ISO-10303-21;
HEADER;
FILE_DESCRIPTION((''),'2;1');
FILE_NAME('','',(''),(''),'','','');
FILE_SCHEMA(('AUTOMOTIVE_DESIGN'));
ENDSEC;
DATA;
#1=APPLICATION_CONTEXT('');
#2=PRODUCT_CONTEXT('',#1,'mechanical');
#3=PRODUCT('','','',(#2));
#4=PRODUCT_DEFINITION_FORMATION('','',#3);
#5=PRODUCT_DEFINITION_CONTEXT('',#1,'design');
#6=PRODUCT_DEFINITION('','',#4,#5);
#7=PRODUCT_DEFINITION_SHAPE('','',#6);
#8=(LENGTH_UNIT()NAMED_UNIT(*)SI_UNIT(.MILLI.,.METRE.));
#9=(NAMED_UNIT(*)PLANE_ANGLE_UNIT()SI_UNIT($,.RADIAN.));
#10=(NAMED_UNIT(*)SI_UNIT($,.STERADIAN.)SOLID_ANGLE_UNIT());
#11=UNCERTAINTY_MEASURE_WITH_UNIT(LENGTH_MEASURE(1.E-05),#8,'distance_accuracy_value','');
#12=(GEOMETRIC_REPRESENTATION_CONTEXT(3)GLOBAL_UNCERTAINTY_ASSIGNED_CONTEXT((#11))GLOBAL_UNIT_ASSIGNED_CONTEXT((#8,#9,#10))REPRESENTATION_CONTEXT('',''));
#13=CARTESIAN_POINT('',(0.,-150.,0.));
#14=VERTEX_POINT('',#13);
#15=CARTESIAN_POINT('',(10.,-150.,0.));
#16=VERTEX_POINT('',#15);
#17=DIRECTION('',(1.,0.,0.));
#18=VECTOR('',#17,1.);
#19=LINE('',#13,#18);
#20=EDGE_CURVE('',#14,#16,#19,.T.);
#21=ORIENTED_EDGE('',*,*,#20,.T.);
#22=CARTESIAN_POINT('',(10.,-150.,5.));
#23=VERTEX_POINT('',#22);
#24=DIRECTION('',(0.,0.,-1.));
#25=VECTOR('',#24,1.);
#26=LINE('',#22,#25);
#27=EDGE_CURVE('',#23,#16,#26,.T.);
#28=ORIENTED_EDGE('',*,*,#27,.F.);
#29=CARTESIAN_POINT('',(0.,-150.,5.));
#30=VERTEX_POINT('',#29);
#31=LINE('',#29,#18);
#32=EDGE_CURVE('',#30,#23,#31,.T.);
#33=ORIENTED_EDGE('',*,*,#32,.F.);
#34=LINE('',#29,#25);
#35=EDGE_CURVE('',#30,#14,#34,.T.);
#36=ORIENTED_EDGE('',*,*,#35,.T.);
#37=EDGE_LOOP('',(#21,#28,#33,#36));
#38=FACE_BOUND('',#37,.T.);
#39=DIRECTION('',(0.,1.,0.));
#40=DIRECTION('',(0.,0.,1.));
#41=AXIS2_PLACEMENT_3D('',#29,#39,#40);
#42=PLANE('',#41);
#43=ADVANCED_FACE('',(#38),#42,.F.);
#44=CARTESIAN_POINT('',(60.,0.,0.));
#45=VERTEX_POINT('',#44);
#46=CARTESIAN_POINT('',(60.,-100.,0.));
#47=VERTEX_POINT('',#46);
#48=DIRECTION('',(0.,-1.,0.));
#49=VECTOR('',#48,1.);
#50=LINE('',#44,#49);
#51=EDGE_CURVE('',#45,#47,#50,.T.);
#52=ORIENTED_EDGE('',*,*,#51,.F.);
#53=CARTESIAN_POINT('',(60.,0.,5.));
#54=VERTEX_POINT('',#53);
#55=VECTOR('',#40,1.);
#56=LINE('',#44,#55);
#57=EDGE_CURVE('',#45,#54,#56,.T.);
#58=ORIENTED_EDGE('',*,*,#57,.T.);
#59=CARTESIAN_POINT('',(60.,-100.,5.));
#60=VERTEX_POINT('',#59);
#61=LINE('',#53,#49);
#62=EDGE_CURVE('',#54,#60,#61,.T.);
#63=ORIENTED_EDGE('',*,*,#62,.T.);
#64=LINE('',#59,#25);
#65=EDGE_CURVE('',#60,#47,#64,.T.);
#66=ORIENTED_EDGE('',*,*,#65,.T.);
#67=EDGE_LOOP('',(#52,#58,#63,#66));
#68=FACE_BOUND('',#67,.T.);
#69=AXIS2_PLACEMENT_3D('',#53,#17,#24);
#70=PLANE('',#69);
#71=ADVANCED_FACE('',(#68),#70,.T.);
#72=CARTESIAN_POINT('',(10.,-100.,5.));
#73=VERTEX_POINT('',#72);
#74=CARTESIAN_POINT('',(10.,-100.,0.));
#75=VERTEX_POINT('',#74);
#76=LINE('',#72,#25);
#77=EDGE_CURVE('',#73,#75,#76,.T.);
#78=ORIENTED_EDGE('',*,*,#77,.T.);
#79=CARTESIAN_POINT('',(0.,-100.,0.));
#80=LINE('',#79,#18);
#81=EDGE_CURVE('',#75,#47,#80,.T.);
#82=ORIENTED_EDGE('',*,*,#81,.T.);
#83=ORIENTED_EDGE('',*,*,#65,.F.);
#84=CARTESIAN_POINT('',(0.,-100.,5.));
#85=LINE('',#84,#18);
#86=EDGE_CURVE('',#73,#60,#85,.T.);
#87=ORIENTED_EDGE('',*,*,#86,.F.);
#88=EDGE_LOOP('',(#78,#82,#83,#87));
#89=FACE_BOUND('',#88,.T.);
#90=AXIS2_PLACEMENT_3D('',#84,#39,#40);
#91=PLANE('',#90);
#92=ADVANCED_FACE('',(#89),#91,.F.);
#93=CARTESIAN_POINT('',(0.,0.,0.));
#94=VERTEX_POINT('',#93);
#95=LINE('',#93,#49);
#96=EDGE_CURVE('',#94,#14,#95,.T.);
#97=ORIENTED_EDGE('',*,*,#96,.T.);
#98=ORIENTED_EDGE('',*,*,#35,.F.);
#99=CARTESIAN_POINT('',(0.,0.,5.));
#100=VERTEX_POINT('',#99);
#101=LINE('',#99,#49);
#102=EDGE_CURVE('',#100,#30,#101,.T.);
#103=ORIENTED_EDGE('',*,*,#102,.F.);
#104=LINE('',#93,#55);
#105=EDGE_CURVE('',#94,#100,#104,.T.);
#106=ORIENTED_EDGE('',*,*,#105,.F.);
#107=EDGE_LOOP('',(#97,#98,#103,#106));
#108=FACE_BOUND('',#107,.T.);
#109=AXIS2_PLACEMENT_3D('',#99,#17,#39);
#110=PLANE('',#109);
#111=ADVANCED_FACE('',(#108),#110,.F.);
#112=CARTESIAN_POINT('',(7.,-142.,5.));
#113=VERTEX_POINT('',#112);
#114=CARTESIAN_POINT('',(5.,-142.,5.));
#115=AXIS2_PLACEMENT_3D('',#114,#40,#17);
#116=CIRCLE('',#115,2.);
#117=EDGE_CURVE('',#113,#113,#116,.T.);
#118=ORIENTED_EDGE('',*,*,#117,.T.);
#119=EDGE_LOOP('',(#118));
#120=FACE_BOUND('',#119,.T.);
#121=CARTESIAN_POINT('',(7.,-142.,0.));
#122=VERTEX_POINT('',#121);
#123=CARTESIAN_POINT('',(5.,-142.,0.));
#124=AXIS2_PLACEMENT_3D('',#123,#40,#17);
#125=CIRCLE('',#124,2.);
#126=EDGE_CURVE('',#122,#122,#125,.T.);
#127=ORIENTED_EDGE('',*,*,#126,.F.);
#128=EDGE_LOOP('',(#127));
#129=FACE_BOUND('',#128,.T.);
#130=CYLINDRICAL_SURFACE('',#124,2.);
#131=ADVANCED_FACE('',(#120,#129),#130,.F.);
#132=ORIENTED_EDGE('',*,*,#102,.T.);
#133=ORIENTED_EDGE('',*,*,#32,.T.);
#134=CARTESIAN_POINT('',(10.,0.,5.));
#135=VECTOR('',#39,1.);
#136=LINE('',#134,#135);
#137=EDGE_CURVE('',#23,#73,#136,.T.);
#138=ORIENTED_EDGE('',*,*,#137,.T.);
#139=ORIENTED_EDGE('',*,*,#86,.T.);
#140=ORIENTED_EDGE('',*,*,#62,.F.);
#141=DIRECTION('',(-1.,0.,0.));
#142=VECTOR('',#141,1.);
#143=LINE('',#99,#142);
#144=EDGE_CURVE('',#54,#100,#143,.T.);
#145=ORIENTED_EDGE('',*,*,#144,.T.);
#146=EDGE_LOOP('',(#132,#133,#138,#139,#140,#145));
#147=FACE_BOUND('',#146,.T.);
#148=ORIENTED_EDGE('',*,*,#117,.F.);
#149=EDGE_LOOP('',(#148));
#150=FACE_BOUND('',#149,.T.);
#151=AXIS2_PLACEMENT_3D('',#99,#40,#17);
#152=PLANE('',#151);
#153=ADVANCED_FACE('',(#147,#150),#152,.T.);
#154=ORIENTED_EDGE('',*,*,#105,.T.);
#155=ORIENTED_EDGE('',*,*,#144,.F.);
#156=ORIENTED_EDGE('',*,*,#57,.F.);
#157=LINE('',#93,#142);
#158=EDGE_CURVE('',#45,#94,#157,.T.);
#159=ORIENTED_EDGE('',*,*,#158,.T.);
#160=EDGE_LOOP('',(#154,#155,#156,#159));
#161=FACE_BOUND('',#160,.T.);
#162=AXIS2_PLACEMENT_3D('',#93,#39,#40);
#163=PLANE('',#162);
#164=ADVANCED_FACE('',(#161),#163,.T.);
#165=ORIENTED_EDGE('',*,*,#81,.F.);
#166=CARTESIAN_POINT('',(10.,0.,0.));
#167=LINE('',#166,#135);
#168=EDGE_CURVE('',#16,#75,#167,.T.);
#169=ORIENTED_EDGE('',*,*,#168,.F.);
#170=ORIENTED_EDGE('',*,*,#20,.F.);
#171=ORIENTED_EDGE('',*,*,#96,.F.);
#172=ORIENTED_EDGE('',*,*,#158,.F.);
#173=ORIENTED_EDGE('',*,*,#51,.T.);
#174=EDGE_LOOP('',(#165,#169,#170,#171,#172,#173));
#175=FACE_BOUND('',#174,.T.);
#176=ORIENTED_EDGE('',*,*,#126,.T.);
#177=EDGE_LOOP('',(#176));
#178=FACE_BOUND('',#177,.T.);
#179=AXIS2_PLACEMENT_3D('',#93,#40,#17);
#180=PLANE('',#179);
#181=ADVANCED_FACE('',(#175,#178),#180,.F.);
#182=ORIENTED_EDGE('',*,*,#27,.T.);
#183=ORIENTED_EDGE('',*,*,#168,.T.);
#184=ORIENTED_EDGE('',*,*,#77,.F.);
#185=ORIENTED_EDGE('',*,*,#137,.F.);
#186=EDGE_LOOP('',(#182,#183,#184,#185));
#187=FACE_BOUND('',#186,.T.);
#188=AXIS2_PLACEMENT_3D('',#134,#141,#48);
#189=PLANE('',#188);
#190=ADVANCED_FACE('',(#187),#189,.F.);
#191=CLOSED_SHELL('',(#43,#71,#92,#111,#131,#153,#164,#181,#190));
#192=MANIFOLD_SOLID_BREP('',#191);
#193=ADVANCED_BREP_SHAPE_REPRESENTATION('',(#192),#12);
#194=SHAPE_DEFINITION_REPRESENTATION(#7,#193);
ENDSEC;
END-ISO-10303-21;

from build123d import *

# Parameters (mm, degrees)
BOSS_EXTRU_1_DEPTH      = 5
ESQUISSE2_W             = 60
ESQUISSE2_H             = 50
BOSS_EXTRU_2_DEPTH      = 5
ESQUISSE3_R             = 2
ENL_V_MAT_EXTRU_1_DEPTH = 5


with BuildPart() as part:
    # Esquisse1 → Boss.-Extru.1 (new body)
    with BuildSketch(Plane.XY):
        Polygon((60, -50), (0, -50), (0, -150), (10, -150), (10, -100), (60, -100), align=None)
    extrude(amount=BOSS_EXTRU_1_DEPTH)

    # Esquisse2 → Boss.-Extru.2 (add)
    with BuildSketch(Plane.XY.offset(5)):
        with Locations((30, -25)):
            Rectangle(ESQUISSE2_W, ESQUISSE2_H)
    extrude(amount=-BOSS_EXTRU_2_DEPTH)

    # Esquisse3 → Enlèv. mat.-Extru.1 (cut)
    with BuildSketch(Plane.XY.offset(5)):
        with Locations((5, -142)):
            Circle(ESQUISSE3_R)
    extrude(amount=-ENL_V_MAT_EXTRU_1_DEPTH, mode=Mode.SUBTRACT)


solid = part.part
